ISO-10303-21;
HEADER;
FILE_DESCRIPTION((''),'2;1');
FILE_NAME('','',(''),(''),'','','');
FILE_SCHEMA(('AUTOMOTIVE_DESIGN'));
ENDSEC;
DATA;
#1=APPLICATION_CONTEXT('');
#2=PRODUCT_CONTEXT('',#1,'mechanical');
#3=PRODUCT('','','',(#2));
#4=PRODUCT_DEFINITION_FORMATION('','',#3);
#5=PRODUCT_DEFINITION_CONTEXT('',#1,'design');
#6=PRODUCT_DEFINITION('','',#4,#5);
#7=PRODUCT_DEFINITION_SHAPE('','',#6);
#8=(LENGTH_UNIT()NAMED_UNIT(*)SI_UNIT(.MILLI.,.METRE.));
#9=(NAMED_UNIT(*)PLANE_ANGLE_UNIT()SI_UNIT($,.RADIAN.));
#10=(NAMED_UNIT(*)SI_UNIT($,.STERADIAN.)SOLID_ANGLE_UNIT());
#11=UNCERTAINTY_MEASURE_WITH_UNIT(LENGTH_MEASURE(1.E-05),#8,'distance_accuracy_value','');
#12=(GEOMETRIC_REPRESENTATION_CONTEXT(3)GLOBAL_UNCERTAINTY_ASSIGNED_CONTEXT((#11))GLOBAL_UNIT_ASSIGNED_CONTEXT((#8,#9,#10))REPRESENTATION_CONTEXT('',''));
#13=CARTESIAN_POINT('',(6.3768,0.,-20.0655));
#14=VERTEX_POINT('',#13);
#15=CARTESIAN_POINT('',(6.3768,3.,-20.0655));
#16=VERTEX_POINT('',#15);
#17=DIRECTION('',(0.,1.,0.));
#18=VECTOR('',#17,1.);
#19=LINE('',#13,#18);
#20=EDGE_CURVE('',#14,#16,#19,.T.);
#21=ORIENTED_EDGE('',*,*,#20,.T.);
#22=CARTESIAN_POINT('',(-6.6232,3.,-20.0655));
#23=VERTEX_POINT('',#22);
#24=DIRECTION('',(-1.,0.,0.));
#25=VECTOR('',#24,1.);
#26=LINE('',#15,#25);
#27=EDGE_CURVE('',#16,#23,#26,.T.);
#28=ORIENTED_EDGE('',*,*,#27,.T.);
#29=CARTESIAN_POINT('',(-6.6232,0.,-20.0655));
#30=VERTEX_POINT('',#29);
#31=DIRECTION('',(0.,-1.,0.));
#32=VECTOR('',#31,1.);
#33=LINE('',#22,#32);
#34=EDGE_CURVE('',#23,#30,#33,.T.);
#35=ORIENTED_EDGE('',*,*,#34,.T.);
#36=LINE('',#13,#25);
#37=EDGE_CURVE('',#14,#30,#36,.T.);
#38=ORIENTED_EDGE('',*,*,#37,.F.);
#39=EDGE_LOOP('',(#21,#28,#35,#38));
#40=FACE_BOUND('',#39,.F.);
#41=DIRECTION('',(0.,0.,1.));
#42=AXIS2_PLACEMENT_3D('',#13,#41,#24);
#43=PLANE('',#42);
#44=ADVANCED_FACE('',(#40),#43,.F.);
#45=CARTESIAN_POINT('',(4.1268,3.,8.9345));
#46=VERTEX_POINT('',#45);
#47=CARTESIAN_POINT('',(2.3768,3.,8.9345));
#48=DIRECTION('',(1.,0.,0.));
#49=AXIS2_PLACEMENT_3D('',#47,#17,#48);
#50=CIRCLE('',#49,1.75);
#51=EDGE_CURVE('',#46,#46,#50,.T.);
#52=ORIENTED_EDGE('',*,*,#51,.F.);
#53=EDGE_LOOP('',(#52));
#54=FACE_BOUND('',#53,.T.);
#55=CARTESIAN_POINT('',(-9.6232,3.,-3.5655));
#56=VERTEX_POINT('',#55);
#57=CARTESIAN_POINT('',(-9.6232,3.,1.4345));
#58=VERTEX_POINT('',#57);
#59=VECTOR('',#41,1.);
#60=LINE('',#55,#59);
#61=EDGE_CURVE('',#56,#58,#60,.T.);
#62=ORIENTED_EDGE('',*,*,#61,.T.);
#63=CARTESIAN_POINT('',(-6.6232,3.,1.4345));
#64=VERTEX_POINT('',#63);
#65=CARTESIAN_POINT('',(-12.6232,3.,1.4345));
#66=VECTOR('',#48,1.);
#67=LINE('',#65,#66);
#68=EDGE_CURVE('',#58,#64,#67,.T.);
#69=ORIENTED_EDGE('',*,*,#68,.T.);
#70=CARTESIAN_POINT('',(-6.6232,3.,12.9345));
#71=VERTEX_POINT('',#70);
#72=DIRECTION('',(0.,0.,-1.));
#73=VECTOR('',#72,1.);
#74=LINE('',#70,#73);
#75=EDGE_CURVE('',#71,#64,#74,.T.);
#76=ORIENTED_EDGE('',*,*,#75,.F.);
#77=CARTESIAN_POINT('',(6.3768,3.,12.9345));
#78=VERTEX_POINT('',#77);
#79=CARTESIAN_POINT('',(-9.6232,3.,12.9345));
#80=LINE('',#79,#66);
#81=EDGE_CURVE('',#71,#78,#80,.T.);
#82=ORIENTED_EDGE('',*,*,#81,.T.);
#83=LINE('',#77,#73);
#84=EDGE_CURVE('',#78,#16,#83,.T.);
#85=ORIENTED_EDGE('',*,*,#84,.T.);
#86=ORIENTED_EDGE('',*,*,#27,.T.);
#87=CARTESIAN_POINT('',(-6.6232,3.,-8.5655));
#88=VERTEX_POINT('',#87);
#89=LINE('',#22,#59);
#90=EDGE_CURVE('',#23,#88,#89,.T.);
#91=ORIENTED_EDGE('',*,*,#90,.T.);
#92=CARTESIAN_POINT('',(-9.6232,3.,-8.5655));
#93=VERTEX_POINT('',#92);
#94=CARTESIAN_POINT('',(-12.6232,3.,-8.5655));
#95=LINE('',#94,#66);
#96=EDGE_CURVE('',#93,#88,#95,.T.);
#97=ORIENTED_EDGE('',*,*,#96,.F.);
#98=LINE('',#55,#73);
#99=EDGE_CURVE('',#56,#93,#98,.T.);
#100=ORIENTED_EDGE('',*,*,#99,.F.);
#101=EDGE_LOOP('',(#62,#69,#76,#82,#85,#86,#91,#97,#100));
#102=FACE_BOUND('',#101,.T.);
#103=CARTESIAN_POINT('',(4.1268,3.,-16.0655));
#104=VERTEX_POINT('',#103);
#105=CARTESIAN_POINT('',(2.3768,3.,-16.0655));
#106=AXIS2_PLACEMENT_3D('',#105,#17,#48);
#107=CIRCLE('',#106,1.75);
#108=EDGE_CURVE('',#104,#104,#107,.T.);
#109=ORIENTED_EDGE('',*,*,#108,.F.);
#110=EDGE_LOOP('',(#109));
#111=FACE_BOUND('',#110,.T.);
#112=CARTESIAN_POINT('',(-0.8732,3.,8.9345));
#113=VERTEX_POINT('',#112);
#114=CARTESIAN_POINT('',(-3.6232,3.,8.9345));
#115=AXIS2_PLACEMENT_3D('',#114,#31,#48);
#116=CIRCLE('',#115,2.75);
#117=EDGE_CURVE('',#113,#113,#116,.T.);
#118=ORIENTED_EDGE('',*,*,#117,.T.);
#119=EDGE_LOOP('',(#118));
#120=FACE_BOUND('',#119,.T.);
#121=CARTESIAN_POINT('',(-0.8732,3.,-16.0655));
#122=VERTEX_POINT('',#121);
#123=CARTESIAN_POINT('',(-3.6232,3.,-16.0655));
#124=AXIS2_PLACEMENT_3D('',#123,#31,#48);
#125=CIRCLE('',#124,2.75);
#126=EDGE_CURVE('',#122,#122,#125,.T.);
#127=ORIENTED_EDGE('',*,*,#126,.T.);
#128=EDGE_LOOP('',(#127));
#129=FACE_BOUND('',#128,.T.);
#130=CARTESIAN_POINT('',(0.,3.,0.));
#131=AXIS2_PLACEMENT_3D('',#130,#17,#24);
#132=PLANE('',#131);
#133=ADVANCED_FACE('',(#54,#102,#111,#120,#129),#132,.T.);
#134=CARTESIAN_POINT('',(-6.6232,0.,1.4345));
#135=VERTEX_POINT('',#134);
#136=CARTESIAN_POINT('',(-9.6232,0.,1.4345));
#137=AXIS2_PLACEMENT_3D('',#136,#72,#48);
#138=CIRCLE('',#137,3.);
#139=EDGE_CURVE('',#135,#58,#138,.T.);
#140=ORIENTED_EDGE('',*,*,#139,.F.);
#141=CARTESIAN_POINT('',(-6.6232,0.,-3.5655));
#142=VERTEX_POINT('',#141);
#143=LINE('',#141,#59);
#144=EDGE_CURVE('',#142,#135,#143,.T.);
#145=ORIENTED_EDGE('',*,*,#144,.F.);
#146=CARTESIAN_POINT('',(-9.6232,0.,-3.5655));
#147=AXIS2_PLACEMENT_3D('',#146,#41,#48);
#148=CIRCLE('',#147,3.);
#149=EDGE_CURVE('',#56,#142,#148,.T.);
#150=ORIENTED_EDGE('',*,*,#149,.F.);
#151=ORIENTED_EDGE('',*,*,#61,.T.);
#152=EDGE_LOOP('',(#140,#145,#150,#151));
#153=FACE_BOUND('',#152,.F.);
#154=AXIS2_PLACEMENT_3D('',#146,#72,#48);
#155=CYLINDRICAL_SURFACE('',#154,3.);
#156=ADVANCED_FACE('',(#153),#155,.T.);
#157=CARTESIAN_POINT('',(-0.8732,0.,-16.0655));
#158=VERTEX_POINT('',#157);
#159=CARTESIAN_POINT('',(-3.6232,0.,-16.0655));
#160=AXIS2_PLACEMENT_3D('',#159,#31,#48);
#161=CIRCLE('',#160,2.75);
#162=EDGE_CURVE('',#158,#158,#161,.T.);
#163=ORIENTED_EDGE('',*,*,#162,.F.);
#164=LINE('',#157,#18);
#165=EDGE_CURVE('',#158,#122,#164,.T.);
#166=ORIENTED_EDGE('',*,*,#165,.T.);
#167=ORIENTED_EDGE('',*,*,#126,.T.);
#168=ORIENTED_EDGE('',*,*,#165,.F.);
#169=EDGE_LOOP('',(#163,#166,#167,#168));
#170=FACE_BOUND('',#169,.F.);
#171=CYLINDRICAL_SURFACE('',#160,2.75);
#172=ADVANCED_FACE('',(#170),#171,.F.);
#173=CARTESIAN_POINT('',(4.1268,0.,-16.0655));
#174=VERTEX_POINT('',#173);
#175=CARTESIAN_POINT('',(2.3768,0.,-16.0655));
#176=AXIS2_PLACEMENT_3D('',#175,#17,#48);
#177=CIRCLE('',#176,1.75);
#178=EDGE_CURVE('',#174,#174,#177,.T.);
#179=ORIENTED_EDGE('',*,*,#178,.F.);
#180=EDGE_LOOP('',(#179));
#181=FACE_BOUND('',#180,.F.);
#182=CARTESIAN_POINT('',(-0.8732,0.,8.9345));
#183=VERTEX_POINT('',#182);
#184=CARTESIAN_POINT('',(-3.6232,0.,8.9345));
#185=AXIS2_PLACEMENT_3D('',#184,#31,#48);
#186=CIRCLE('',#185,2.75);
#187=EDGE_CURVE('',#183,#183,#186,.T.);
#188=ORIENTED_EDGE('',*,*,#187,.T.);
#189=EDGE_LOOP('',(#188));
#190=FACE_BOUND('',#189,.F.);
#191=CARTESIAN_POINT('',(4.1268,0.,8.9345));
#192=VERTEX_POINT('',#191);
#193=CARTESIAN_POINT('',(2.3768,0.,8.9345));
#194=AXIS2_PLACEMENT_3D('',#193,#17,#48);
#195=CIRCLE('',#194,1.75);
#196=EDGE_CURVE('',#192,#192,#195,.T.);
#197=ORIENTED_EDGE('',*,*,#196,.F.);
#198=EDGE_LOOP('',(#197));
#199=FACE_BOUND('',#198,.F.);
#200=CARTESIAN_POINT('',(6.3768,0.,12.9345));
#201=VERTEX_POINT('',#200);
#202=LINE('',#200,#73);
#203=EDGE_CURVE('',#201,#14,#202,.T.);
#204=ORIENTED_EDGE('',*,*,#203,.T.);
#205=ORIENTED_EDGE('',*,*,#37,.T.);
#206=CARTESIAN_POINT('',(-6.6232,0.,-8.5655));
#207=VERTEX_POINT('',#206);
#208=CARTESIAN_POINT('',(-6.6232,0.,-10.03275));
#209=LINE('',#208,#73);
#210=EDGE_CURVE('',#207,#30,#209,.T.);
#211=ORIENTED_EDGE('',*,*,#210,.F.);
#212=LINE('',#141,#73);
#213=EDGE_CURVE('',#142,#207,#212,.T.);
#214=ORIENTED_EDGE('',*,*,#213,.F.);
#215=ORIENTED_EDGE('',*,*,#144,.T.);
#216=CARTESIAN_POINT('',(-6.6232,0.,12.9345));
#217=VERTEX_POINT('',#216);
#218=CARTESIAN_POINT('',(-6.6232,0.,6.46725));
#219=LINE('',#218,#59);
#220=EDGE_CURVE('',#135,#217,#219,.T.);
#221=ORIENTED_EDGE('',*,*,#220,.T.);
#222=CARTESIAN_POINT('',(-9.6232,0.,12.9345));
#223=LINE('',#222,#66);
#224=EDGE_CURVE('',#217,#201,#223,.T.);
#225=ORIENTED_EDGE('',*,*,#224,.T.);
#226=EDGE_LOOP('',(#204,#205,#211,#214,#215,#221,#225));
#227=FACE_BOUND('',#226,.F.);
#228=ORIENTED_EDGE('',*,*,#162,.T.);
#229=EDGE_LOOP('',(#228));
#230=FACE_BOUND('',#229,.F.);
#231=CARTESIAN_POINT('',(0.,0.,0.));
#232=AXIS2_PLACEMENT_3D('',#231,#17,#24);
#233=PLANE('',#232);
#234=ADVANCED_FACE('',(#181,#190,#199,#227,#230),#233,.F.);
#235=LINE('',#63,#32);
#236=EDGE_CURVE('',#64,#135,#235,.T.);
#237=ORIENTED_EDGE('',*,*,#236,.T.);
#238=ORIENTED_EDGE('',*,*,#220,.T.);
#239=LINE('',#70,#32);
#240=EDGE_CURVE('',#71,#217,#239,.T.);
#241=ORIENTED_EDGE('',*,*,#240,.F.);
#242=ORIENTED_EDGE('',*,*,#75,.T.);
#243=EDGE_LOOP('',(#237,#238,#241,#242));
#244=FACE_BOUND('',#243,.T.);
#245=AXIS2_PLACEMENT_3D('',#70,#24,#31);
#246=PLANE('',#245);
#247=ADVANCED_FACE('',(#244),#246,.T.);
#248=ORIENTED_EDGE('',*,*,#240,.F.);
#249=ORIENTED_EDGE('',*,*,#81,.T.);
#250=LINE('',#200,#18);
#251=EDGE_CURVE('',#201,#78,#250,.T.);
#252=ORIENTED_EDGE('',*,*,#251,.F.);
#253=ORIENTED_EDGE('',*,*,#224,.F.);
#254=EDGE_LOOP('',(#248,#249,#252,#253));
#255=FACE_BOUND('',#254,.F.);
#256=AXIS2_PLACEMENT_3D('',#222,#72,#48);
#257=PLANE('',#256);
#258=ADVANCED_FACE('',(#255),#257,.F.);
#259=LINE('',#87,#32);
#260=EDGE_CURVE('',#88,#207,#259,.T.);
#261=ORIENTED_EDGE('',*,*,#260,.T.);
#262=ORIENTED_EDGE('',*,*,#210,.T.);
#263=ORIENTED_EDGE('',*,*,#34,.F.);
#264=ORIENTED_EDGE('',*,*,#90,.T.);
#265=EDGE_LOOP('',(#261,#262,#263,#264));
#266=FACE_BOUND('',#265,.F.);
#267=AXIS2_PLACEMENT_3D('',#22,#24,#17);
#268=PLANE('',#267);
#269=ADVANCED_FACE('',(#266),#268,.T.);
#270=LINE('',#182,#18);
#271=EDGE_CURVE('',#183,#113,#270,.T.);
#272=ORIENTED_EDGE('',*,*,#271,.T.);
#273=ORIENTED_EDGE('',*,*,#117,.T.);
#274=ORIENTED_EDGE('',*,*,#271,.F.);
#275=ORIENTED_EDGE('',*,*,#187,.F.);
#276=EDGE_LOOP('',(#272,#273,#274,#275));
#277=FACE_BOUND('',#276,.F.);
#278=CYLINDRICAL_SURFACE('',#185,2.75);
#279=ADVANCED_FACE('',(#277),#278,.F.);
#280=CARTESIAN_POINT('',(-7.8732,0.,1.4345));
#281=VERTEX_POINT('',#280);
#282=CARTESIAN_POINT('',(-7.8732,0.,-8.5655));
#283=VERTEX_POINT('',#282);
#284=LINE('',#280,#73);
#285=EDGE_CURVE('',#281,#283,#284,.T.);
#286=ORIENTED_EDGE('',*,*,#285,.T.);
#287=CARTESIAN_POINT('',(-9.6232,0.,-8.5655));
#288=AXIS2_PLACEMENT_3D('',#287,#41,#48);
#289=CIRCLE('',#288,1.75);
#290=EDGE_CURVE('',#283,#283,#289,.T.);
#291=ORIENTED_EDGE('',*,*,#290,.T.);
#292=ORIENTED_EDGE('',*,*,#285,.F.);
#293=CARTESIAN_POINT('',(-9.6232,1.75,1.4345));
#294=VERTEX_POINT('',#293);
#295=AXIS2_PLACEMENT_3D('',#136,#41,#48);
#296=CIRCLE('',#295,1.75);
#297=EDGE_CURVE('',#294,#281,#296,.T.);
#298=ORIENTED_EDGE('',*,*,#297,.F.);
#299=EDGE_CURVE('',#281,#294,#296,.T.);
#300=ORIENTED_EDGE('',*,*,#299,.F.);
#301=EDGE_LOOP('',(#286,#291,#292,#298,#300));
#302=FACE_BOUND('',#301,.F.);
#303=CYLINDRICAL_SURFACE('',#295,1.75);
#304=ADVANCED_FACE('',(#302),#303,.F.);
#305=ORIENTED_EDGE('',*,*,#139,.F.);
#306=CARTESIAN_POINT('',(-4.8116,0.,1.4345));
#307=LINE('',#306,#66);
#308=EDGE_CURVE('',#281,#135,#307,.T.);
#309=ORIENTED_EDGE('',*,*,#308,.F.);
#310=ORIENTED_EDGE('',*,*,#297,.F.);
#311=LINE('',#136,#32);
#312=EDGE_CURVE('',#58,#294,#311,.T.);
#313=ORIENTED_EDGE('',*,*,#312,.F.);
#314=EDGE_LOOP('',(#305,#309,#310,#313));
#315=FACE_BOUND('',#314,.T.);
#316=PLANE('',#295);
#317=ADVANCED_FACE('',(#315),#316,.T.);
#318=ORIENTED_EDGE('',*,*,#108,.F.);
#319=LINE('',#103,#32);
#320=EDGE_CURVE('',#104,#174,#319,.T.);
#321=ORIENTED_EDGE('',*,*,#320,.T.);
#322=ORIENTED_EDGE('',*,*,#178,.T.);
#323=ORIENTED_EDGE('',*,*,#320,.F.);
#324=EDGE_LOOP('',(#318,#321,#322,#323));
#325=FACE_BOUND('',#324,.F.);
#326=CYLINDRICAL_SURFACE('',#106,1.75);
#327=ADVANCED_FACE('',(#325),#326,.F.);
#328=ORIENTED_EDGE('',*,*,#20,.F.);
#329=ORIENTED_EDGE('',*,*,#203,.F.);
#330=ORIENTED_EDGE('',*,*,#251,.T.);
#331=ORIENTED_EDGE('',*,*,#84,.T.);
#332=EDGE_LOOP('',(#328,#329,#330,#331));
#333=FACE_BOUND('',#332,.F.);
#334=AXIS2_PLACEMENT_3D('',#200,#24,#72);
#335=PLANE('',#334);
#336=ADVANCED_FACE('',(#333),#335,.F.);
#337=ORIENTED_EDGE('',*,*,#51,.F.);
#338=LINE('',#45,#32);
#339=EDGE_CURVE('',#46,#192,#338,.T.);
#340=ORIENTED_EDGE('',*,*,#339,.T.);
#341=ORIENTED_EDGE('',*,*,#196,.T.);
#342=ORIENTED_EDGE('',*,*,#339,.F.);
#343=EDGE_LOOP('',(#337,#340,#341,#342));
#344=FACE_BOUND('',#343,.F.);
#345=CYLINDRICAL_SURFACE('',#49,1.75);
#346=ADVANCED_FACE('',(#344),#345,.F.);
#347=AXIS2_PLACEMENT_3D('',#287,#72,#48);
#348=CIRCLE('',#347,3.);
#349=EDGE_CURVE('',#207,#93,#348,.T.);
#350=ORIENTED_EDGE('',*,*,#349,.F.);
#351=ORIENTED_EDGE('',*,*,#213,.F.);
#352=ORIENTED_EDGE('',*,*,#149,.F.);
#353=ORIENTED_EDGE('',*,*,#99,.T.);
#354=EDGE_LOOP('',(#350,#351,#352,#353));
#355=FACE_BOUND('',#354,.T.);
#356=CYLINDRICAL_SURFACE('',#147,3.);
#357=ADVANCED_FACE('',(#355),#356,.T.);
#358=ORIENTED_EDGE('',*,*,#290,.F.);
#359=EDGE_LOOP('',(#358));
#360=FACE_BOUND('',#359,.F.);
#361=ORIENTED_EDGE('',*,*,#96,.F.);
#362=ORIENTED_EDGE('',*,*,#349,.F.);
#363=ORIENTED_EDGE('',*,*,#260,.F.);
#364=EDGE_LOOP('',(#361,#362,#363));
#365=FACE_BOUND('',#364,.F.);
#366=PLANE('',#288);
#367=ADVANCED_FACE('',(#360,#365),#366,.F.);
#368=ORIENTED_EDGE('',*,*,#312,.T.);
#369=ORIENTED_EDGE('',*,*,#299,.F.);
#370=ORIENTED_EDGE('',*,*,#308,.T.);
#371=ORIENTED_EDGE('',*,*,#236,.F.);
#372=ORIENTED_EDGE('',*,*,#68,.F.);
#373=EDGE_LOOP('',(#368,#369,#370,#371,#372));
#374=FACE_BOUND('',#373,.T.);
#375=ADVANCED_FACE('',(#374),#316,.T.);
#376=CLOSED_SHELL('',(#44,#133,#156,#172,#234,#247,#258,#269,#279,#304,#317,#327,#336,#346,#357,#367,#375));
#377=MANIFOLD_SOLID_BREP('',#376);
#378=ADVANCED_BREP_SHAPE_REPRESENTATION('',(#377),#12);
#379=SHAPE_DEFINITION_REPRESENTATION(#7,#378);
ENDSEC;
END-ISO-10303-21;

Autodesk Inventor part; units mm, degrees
ref_plane "YZ Plane" through (0, 0, 0) normal (1, 0, 0) x (0, 1, 0)
ref_plane "XZ Plane" through (0, 0, 0) normal (0, 1, 0) x (-1, 0, 0)
ref_plane "XY Plane" through (0, 0, 0) normal (0, 0, 1) x (1, 0, 0)
sketch "Sketch1" plane through (0, 0, 0) normal (0, 1, 0) x (-1, 0, 0)
  line L0 (9.6232, 12.9345) -> (-6.3768, 12.9345)
  line L1 (-6.3768, 12.9345) -> (-6.3768, -20.0655)
  line L2 (-6.3768, -20.0655) -> (9.6232, -20.0655)
  line L3 (9.6232, -20.0655) -> (9.6232, 12.9345)
  dimension "d3" = 16
  dimension "d4" = 33
extrude "Extrusion1" add sketch "Sketch1" along normal blind 3
sketch "Sketch2" plane through (0, 3, 0) normal (0, 1, 0) x (1, 0, 0)
  circle A0 centre (2.3768, -8.9345) radius 1.75
  circle A1 centre (2.3768, 16.0655) radius 1.75
  line L0 (6.3768, -12.9345) -> (6.3768, 20.0655) projected
  line L1 (-9.6232, -12.9345) -> (6.3768, -12.9345) projected
  line L2 (6.3768, 20.0655) -> (-9.6232, 20.0655) projected
  point P0 (0, 0)
  dimension "d7" = 3.5
  dimension "d8" = 3.5
  dimension "d9" = 4
  dimension "d10" = 4
  dimension "d11" = 4
  dimension "d12" = 4
extrude "Extrusion2" cut sketch "Sketch2" against normal through all
ref_plane "Work Plane1" through (-9.6232, 0, -3.5655) normal (0, 0, 1) x (1, 0, 0)
sketch "Sketch4" plane through (-9.6232, 0, -3.5655) normal (0, 0, 1) x (1, 0, 0)
  line L0 (0, 0) -> (0, 3) projected
  circle A0 centre (0, 0) radius 3
  point P0 (9.6232, 0)
  dimension "d17" = 6
extrude "Extrusion3" add sketch "Sketch4" along normal mid plane 10
sketch "Sketch5" plane through (-9.6232, 0, 12.9345) normal (0, 0, 1) x (1, 0, 0)
  line L0 (0, 3) -> (0, 0) projected
  line L1 (3, -3) -> (-3, -3)
  line L2 (-3, -3) -> (-3, 3)
  line L3 (-3, 3) -> (3, 3)
  line L4 (3, 3) -> (3, -3)
  point P0 (9.6232, 0)
  point P1 (0, 2.5)
extrude "Extrusion4" cut sketch "Sketch5" against normal blind 11.5
mirror "Mirror1" about plane through (-9.6232, 0, -3.5655) normal (0, 0, 1) of "Extrusion4"
sketch "Sketch6" plane through (-9.6232, 0, 1.4345) normal (0, 0, 1) x (1, 0, 0)
  circle A0 centre (0, 0) radius 1.75
  point P0 (9.6232, 0)
  dimension "d24" = 3.5
extrude "Extrusion5" cut sketch "Sketch6" against normal up to next
sketch "Sketch7" plane through (0, 0, 0) normal (0, -1, 0) x (1, 0, 0)
  circle A0 centre (-3.6232, -16.0655) radius 2.75
  circle A1 centre (-3.6232, 8.9345) radius 2.75
  line L0 (6.3768, -20.0655) -> (-6.6232, -20.0655) projected
  line L1 (-6.6232, 12.9345) -> (6.3768, 12.9345) projected
  line L2 (-6.6232, 12.9345) -> (-6.6232, 1.4345) projected
  point P0 (0, 0)
  point P1 (-6.6232, 1.4345)
  dimension "d27" = 5.5
  dimension "d28" = 5.5
  dimension "d29" = 4
  dimension "d30" = 4
  dimension "d31" = 3
  dimension "d32" = 3
extrude "Extrusion6" cut sketch "Sketch7" against normal through all
equation "\"d11\" = d9"
equation "\"d12\" = d10"
equation "\"d30\" = d29"
equation "\"d32\" = d31"
properties part number "k2_hinge1_top"
